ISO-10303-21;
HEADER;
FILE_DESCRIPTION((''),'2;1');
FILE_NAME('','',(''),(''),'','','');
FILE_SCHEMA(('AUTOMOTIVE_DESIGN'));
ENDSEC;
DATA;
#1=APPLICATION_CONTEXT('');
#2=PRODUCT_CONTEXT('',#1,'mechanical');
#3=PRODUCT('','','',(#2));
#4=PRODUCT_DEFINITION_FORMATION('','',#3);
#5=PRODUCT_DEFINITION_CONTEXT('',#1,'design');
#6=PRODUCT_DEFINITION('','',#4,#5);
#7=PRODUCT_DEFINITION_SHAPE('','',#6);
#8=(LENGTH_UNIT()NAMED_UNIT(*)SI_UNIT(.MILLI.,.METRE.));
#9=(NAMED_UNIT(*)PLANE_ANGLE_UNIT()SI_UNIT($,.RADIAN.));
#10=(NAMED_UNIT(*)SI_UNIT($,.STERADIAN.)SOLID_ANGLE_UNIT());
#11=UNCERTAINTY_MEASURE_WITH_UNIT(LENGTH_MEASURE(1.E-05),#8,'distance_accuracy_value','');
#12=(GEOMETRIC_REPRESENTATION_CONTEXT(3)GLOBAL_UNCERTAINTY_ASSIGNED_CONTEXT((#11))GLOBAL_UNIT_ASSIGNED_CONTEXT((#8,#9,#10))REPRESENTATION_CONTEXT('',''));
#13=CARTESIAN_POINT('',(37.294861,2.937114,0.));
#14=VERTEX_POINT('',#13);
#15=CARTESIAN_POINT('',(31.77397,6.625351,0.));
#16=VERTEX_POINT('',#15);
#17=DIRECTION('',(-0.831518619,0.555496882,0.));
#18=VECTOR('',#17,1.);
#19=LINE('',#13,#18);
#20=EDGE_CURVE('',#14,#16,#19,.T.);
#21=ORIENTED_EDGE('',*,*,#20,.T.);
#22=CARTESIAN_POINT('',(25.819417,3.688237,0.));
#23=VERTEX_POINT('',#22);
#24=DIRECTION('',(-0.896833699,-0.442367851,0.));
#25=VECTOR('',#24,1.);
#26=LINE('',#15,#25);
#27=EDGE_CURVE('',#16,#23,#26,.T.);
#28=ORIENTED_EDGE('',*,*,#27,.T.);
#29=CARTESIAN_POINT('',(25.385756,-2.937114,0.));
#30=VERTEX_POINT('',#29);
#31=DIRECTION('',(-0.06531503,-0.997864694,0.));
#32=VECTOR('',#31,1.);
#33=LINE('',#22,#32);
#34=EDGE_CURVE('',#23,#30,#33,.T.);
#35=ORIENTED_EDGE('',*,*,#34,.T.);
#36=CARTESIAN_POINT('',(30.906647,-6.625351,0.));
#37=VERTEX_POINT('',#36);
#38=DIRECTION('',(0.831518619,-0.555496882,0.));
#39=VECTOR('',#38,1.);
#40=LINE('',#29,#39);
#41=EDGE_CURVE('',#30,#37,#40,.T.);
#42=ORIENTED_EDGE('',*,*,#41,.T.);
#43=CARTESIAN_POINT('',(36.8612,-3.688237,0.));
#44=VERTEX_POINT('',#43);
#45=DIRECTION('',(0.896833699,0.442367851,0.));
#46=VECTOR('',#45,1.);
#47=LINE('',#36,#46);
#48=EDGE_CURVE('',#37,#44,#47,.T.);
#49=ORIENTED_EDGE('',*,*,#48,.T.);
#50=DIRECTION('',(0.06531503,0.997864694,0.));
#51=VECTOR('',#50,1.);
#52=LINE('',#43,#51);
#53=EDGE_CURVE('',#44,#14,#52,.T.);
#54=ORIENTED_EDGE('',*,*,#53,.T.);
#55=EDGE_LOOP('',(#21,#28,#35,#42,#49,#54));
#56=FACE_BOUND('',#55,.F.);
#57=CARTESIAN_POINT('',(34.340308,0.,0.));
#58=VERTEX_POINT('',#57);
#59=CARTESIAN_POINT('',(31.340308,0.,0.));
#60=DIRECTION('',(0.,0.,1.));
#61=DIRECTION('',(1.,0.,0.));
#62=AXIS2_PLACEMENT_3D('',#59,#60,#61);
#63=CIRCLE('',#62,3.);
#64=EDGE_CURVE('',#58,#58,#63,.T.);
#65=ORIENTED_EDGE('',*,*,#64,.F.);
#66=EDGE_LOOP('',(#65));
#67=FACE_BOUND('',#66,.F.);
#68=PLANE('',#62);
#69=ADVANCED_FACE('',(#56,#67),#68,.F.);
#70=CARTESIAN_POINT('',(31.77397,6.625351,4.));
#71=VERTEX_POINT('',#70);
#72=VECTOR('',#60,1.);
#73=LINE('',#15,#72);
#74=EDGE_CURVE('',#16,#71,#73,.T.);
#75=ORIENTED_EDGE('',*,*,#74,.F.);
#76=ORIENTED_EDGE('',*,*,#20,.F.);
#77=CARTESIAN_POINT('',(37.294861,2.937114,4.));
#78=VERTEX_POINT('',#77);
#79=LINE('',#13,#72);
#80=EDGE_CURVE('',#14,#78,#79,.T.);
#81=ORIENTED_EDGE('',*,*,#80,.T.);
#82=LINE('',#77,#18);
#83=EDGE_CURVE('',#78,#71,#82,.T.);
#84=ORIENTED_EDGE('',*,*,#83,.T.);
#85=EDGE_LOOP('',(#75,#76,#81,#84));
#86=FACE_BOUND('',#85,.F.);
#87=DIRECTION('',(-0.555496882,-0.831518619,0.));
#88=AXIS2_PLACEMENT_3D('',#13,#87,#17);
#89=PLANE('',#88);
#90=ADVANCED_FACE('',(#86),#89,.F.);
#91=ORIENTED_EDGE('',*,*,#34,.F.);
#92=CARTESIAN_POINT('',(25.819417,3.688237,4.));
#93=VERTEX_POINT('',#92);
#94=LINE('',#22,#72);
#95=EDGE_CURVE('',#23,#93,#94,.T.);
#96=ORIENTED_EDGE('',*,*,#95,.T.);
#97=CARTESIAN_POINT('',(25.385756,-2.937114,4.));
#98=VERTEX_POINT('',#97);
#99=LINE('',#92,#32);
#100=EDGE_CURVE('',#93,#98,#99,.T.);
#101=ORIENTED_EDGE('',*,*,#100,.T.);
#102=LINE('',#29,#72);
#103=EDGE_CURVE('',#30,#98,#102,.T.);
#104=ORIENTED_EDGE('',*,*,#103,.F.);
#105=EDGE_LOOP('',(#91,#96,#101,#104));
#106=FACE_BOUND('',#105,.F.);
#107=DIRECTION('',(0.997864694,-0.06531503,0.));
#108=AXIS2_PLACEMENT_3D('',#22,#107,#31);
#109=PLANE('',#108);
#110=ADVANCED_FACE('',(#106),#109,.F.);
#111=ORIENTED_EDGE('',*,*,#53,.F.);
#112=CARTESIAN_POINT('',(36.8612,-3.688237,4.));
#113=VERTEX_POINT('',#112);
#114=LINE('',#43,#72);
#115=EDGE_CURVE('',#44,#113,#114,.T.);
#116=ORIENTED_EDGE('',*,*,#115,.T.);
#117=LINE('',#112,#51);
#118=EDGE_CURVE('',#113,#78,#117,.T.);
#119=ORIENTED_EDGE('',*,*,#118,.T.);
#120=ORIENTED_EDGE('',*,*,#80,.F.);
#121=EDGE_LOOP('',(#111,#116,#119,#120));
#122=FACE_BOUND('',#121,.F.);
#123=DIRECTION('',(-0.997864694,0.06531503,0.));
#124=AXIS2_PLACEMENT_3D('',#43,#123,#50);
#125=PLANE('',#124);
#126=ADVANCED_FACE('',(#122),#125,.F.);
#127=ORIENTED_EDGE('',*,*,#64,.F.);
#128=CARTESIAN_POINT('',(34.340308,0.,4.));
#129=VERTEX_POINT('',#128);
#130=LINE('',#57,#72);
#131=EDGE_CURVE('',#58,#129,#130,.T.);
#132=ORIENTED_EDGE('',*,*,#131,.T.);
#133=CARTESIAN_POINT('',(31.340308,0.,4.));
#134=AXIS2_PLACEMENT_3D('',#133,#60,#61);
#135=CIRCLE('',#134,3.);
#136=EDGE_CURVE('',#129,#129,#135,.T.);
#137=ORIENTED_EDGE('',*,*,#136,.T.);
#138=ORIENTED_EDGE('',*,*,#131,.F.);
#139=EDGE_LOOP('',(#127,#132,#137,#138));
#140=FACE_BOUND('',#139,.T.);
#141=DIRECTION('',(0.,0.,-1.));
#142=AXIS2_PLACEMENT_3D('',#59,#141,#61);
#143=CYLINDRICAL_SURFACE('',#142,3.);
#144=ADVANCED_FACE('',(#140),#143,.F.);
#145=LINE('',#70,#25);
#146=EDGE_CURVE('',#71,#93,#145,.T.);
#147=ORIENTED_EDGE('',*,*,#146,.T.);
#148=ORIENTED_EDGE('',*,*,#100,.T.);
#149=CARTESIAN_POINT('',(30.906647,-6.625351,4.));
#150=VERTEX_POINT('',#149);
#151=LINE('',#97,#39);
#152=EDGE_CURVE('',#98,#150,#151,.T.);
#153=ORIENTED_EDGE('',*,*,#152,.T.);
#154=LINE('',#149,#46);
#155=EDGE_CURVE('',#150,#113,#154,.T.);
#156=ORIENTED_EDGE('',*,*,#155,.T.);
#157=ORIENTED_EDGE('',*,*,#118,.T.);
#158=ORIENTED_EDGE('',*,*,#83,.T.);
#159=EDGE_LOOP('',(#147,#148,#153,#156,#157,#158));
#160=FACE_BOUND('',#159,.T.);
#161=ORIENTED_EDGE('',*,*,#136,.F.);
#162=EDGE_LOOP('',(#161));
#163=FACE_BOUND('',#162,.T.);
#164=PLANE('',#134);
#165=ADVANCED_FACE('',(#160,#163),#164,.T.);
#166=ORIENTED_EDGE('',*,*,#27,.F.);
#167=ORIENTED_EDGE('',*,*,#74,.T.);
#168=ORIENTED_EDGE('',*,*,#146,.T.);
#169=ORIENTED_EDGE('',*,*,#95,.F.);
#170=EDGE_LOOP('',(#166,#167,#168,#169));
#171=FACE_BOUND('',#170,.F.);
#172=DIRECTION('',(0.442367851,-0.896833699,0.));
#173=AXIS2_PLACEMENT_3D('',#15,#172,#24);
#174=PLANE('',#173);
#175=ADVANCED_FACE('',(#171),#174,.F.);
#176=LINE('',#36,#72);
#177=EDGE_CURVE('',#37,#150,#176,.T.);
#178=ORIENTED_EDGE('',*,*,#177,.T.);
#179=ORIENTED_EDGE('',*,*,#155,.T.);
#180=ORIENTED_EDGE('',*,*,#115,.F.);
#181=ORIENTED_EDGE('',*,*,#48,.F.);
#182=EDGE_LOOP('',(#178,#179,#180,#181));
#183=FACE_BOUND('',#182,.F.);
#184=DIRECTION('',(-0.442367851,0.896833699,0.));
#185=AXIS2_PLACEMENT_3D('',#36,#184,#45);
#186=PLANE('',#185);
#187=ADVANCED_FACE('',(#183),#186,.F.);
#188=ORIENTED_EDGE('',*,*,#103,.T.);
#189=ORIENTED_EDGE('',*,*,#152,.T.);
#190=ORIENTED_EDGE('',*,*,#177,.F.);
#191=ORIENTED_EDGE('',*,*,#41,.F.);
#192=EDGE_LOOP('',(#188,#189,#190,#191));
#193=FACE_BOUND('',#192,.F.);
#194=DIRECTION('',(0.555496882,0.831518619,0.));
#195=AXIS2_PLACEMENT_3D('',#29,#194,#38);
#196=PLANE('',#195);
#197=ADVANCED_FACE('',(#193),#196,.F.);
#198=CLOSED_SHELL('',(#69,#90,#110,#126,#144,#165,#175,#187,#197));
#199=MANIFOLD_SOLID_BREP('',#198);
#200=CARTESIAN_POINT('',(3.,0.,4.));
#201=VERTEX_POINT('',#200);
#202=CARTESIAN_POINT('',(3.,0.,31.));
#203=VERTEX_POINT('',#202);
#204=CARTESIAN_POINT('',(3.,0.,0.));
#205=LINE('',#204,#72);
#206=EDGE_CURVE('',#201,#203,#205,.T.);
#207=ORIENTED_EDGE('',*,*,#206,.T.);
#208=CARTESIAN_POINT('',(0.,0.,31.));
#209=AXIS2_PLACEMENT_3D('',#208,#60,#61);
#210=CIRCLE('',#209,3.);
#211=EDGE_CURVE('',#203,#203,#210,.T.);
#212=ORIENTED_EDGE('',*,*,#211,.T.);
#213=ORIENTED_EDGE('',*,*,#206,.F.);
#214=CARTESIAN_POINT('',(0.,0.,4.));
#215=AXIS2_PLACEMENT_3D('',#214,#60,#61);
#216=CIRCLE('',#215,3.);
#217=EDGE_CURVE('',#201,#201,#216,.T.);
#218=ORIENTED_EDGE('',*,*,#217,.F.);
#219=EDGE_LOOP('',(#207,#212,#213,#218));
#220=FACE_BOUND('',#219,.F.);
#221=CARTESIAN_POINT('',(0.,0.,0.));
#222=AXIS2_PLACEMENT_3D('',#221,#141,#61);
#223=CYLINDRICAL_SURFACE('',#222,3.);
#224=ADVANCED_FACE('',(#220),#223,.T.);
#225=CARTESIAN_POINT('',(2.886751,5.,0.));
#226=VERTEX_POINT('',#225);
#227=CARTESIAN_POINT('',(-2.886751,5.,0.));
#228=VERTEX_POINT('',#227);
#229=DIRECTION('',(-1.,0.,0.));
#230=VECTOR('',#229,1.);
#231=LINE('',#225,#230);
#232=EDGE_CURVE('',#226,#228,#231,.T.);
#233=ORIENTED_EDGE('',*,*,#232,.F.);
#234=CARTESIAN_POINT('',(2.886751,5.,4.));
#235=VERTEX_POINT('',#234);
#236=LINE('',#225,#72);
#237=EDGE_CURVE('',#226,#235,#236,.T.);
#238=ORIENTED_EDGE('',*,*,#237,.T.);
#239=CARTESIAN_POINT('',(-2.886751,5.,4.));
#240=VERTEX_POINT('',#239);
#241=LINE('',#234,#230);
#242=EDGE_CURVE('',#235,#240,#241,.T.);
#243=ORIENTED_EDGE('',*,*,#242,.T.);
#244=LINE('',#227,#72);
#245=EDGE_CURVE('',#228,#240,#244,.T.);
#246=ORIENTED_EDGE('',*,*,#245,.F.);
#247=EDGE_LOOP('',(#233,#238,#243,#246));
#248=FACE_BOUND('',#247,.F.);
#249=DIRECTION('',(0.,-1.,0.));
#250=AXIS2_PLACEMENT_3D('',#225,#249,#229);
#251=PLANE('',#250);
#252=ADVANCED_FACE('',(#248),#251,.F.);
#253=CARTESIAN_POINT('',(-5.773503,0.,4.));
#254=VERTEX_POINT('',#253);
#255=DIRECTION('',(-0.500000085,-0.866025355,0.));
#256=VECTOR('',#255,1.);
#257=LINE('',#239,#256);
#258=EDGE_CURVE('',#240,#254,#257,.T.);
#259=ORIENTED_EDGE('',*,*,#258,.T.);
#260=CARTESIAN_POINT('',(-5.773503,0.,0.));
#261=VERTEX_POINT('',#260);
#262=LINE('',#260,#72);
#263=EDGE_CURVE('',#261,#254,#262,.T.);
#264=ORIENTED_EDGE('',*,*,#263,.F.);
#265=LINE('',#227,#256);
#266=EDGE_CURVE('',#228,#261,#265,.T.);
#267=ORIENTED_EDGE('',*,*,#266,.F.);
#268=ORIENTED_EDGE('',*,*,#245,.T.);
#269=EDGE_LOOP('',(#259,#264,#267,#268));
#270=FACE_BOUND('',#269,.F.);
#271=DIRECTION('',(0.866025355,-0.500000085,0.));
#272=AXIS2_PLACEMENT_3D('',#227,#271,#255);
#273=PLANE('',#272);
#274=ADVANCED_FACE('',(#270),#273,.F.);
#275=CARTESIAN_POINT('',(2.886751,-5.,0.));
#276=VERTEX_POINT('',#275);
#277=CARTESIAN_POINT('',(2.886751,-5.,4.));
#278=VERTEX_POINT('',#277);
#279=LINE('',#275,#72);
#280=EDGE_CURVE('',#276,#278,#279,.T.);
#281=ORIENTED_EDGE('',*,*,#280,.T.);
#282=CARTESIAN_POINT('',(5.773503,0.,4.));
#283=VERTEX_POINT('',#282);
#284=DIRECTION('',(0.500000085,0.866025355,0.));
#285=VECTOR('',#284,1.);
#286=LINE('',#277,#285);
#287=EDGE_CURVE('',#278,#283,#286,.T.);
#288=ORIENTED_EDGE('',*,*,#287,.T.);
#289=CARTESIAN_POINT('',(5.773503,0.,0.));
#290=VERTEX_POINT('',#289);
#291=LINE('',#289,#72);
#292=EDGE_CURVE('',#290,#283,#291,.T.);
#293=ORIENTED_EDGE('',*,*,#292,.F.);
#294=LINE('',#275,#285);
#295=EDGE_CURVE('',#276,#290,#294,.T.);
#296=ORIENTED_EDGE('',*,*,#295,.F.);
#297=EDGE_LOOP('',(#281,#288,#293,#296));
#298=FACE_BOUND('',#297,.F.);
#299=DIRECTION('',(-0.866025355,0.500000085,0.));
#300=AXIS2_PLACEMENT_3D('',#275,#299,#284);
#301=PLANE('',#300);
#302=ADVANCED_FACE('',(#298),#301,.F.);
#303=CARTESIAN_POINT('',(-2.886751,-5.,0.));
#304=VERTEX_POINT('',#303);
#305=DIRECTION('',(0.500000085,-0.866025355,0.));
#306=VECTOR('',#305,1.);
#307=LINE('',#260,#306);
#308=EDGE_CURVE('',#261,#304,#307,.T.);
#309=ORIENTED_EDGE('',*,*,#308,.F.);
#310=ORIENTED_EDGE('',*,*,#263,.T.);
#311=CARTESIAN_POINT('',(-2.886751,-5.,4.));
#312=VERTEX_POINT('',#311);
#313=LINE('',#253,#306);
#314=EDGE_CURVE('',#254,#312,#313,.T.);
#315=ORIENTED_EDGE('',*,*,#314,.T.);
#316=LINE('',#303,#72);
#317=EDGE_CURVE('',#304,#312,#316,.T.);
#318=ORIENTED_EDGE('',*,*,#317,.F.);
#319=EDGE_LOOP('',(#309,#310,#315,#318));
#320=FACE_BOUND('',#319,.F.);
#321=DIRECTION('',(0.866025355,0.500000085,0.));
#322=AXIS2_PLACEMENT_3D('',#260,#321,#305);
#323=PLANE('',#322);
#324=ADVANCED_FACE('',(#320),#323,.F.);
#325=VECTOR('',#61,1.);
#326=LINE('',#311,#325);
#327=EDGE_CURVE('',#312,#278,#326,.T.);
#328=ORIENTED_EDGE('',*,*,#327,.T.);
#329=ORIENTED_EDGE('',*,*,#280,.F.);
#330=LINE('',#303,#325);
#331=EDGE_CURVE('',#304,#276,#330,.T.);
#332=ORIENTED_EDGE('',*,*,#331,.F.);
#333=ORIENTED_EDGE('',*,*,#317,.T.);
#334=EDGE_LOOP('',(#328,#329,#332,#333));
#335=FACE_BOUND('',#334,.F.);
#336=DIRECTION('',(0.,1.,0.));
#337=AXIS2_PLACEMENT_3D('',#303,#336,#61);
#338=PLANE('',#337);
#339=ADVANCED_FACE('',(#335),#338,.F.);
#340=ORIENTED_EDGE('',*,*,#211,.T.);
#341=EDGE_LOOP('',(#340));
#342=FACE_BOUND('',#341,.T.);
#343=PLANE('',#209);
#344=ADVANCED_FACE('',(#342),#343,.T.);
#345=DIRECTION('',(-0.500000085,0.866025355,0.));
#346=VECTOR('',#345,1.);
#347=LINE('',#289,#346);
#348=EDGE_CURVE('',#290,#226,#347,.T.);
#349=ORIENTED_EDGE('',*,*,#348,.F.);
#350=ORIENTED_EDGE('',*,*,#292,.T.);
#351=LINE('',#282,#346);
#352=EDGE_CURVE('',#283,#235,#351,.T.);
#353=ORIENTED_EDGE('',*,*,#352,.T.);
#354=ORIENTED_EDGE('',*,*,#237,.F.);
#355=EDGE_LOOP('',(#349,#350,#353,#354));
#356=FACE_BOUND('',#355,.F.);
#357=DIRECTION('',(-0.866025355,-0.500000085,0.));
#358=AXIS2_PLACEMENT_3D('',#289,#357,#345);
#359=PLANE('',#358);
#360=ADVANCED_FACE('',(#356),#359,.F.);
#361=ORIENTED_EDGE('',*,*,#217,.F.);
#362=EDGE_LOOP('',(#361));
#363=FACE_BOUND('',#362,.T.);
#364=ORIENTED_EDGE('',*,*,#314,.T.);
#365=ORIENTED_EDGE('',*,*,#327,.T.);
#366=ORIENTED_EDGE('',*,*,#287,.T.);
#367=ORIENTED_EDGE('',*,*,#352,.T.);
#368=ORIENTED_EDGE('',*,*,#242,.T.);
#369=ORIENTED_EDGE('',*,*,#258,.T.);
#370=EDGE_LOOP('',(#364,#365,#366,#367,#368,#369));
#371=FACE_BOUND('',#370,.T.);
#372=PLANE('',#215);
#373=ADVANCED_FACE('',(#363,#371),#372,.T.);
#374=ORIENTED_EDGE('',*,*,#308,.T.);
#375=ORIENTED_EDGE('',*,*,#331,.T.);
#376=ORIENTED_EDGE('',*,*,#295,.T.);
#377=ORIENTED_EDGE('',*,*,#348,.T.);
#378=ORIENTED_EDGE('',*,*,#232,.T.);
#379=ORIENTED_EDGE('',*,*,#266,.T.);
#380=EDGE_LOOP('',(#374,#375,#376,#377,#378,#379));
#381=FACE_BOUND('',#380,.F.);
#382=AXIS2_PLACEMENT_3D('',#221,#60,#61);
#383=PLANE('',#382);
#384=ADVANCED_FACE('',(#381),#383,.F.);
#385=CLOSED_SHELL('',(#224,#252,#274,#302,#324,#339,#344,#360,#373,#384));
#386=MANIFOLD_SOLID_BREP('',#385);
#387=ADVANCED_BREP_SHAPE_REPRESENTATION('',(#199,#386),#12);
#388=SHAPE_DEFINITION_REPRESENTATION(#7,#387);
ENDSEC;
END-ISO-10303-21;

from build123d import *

# Parameters (mm, degrees)
F0_R     = 3
F1_DEPTH = 31
F2_DEPTH = 4
F3_DEPTH = 4


with BuildPart() as f1:
    # F0 (on Top) → F1 (new body)
    with BuildSketch(Plane.XY):
        Circle(F0_R)
    extrude(amount=F1_DEPTH)

    # F0 (on Top) → F2 (join)
    with BuildSketch(Plane.XY):
        Polygon((2.886751, 5), (-2.886751, 5), (-5.773503, 0), (-2.886751, -5), (2.886751, -5), (5.773503, 0), align=None)
        Circle(F0_R, mode=Mode.SUBTRACT)
    extrude(amount=F2_DEPTH)

    # F0 (on Top) → F3 (join)
    with BuildSketch(Plane.XY):
        Polygon((2.886751, 5), (-2.886751, 5), (-5.773503, 0), (-2.886751, -5), (2.886751, -5), (5.773503, 0), align=None)
        Circle(F0_R, mode=Mode.SUBTRACT)
        Polygon((37.294861, 2.937114), (31.77397, 6.625351), (25.819417, 3.688237), (25.385756, -2.937114), (30.906647, -6.625351), (36.8612, -3.688237), align=None)
        with Locations((31.340308, 0)):
            Circle(F0_R, mode=Mode.SUBTRACT)
    extrude(amount=F3_DEPTH)


solid = f1.part
